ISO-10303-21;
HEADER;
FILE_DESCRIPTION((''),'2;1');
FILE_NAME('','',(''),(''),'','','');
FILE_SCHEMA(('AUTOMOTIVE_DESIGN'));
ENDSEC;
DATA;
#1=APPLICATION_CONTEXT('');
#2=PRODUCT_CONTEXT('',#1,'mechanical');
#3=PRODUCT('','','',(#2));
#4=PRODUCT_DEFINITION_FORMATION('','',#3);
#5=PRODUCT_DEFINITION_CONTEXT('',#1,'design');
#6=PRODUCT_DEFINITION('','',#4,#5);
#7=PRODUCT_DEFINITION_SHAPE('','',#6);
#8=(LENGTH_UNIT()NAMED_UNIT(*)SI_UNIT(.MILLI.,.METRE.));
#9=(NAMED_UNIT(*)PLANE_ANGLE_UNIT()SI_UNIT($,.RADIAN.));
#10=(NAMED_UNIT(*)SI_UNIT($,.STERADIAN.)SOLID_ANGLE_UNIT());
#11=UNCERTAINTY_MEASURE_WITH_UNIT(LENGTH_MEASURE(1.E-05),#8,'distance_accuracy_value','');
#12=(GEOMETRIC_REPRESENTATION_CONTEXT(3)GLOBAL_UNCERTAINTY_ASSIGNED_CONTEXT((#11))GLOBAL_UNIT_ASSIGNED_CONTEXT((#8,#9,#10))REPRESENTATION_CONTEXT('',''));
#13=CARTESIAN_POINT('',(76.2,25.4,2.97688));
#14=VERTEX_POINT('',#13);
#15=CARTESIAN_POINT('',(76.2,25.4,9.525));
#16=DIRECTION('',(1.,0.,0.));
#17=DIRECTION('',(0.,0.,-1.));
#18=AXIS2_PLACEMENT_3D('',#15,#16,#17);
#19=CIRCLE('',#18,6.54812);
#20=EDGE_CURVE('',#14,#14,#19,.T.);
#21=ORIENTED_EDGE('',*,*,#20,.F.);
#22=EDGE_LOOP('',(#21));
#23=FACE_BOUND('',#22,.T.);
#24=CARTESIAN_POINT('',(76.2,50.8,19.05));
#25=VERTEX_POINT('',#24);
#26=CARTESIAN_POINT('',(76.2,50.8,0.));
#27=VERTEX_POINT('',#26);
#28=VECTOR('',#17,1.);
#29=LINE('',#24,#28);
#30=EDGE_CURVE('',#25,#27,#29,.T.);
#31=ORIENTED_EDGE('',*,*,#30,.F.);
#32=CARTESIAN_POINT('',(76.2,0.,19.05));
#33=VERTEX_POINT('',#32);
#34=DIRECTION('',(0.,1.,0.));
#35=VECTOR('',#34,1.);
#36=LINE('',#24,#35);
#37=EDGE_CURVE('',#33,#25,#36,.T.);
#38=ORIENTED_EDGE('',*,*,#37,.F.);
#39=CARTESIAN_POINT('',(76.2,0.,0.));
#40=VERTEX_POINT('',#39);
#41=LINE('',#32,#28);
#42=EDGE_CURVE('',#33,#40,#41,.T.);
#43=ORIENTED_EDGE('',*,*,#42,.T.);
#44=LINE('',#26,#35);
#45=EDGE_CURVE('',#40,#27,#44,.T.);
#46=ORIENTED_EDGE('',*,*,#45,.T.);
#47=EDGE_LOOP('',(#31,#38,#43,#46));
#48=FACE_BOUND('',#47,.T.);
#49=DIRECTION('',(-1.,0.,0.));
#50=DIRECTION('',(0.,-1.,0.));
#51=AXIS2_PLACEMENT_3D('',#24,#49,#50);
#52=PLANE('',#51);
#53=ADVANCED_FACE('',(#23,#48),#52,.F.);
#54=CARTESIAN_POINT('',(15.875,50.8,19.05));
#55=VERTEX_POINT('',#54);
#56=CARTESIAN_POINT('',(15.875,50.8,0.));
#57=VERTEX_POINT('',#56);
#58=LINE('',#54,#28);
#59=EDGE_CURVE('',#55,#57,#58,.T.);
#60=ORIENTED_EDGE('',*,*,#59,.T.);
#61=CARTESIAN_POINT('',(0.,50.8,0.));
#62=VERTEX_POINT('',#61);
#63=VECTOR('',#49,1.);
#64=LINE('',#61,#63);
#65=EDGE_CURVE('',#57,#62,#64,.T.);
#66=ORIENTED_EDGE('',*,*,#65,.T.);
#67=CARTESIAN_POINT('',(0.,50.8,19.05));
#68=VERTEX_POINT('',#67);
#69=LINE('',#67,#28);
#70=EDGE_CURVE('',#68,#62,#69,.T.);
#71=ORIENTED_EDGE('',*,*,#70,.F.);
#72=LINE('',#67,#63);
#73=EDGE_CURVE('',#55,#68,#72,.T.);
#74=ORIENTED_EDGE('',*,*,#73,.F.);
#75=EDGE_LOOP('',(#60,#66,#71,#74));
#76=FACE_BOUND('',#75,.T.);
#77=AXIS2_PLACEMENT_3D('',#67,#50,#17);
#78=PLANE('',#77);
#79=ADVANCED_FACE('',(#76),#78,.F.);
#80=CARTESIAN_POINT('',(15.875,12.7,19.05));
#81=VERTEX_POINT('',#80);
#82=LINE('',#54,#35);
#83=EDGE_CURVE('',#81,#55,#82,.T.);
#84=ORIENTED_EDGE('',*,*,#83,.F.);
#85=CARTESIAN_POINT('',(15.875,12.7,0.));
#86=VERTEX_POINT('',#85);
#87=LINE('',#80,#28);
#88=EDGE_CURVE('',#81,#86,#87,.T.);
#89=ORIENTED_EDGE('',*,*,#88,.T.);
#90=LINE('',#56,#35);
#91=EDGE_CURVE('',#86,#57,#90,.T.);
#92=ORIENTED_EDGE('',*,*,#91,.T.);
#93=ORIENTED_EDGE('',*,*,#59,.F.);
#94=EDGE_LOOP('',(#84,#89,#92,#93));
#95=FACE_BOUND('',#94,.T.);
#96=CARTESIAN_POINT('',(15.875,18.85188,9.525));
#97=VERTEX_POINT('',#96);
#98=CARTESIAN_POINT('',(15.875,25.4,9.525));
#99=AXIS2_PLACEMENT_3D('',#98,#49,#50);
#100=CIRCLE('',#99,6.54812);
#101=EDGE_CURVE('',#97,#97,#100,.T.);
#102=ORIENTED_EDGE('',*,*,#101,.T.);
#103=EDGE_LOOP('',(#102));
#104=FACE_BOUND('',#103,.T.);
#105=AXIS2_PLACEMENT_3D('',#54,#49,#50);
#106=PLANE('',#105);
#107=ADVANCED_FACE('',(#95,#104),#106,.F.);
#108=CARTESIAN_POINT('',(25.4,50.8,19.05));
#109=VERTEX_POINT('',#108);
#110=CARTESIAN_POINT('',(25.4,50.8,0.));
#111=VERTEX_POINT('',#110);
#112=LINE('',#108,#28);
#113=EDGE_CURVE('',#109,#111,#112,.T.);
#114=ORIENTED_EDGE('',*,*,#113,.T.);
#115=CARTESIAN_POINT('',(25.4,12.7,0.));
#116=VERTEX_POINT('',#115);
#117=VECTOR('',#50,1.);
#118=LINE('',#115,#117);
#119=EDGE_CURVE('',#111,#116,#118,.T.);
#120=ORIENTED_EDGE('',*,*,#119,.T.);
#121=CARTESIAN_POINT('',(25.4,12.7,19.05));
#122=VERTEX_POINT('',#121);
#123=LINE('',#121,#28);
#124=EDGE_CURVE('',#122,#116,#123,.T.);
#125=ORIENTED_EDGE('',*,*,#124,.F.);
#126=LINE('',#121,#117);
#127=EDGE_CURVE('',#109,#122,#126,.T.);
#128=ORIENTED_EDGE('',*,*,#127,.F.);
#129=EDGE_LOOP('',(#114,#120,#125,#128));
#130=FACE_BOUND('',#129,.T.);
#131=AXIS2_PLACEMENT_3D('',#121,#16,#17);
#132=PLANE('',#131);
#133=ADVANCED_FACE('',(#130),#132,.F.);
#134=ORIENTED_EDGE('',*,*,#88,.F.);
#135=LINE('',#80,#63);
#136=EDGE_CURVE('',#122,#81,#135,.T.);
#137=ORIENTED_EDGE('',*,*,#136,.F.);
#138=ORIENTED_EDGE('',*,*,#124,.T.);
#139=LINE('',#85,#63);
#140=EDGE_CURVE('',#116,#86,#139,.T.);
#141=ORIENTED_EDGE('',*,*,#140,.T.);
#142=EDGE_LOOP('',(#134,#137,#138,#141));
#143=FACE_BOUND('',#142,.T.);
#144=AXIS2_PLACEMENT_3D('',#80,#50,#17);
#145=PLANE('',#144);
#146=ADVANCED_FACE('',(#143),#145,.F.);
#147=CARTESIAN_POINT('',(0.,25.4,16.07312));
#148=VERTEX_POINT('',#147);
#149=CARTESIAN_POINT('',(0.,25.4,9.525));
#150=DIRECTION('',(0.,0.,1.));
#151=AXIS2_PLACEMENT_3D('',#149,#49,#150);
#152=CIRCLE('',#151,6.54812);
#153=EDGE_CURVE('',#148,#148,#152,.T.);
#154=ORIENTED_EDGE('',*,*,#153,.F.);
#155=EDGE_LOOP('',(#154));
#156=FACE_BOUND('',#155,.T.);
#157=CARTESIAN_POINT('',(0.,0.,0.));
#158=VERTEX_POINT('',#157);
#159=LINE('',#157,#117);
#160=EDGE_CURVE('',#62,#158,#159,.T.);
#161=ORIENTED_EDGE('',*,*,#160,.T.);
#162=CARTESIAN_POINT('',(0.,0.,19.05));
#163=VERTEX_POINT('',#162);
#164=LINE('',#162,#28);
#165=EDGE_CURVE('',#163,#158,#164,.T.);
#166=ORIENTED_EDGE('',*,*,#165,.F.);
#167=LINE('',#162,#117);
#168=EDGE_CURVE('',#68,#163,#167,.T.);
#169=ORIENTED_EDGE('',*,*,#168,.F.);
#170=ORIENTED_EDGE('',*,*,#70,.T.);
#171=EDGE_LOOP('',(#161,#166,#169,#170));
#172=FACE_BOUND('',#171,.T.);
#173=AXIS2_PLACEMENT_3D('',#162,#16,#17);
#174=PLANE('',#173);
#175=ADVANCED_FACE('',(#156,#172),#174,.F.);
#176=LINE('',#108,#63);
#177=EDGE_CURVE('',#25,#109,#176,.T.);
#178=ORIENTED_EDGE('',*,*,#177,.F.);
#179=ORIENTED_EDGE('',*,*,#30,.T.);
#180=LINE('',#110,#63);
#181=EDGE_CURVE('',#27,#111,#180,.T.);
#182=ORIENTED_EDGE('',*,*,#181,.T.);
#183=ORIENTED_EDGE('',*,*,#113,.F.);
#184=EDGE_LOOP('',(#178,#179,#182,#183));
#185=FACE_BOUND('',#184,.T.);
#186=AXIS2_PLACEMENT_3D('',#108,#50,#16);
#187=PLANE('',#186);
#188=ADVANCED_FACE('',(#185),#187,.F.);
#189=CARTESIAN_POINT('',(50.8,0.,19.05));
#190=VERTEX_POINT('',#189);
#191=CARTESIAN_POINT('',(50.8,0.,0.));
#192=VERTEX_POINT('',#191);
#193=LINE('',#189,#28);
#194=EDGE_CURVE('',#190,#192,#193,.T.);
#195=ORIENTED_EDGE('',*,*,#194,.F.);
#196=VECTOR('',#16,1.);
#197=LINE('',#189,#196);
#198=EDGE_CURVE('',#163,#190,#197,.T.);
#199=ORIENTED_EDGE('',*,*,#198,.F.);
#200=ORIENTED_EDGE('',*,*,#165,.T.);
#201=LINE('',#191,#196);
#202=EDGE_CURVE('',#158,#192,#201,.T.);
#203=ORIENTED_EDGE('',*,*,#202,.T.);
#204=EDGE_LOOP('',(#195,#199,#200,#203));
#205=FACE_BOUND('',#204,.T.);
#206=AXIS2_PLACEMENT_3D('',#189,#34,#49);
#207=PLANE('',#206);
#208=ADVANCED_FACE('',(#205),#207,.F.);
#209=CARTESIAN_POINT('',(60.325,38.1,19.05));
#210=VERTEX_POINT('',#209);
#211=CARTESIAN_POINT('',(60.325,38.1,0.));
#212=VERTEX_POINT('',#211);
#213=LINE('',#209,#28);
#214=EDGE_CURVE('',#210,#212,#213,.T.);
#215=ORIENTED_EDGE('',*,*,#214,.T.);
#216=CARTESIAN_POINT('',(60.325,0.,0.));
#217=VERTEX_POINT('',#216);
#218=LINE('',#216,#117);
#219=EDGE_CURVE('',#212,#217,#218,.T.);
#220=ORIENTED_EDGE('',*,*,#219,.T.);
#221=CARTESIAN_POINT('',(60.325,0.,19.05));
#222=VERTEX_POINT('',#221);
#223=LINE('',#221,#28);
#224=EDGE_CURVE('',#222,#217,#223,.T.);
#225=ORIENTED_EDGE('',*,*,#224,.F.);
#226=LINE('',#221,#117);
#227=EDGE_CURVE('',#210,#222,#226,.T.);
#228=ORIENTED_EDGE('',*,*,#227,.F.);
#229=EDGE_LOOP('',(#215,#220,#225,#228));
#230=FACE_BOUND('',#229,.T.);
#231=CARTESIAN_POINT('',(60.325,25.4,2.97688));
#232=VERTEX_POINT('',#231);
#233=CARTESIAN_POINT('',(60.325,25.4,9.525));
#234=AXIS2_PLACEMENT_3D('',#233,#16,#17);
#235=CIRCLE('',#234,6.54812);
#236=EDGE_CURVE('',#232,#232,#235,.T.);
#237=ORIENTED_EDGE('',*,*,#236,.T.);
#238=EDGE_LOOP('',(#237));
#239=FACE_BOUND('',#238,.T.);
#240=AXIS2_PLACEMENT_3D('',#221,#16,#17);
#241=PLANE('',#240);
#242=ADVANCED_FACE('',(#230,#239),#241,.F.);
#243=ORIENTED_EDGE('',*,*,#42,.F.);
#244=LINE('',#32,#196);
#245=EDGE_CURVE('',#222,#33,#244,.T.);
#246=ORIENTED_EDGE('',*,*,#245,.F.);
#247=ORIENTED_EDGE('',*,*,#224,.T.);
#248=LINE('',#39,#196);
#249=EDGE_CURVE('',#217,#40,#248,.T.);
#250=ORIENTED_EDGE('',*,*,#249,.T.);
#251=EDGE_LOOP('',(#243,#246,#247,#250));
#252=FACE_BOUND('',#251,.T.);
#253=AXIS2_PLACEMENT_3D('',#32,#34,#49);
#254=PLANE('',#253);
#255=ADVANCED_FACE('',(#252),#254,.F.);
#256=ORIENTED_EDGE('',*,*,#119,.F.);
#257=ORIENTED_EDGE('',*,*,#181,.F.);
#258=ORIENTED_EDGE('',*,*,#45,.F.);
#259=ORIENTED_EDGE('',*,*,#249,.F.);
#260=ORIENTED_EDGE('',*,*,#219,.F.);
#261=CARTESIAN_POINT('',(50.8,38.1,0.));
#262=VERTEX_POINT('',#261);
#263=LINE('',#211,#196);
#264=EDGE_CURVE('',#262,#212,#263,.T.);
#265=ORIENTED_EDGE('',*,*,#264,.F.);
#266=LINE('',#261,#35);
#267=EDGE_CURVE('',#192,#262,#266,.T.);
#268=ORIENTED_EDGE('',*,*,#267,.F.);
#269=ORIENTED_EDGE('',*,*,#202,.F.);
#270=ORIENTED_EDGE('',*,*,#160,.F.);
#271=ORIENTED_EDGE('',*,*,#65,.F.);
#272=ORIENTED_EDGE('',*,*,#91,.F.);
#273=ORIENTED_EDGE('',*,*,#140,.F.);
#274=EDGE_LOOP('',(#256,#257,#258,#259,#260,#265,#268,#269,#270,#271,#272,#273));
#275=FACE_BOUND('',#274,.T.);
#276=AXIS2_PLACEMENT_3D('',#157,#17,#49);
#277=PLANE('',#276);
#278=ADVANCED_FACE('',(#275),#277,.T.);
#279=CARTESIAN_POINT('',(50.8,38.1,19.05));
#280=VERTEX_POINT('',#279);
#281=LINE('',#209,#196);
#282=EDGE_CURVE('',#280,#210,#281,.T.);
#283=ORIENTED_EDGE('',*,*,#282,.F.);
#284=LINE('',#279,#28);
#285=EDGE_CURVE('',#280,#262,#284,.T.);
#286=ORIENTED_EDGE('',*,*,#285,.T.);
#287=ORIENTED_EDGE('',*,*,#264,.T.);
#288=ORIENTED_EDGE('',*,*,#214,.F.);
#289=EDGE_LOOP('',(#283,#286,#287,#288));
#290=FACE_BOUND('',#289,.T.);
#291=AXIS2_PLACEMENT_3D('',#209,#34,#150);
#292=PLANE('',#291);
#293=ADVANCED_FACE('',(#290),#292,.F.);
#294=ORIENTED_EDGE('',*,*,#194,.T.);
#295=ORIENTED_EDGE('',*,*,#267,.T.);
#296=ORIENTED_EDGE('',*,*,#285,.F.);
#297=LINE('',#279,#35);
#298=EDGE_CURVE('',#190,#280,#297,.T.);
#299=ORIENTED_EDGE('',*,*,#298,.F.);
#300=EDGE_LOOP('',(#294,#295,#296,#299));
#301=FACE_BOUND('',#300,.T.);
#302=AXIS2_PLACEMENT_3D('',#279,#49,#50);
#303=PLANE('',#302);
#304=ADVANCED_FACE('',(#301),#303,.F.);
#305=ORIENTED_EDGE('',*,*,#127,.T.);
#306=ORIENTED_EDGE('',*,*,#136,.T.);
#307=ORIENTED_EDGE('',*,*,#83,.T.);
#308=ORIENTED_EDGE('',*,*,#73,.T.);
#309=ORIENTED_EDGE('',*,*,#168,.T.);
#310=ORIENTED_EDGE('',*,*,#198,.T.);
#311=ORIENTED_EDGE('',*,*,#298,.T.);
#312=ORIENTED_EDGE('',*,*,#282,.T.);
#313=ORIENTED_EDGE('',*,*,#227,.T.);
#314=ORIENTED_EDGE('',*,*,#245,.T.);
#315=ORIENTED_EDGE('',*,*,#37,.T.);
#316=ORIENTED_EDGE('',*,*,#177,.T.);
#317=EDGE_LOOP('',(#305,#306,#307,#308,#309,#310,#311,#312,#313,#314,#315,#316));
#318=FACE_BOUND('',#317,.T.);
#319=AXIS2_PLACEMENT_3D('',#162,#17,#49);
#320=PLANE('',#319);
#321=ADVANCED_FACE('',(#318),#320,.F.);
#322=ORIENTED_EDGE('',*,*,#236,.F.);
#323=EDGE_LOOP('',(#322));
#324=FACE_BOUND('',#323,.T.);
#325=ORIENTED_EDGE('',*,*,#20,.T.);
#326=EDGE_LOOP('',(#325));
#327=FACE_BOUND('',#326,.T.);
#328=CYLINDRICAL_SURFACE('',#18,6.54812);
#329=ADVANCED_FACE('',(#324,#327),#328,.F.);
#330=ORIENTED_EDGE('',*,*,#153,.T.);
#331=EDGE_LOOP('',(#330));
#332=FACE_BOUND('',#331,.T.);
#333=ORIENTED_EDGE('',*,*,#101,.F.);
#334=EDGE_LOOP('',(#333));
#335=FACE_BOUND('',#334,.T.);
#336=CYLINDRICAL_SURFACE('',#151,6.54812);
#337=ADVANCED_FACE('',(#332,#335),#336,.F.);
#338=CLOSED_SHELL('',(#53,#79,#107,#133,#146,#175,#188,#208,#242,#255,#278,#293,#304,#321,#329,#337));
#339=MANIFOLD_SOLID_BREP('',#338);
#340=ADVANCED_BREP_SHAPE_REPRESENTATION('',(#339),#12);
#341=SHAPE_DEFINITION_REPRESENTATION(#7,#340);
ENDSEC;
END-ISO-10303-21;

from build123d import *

# Parameters (mm, degrees)
BOSS_EXTRUDE1_DEPTH         = 19.05
F_1_2_CLEARANCE_HOLE1_D     = 13.09624
F_1_2_CLEARANCE_HOLE1_DEPTH = 15.875
F_1_2_CLEARANCE_HOLE2_D     = 13.09624
F_1_2_CLEARANCE_HOLE2_DEPTH = 15.875


with BuildPart() as part:
    # Sketch1 → Boss-Extrude1 (new body)
    with BuildSketch(Plane.XY):
        Polygon((0, 0), (0, 50.8), (15.875, 50.8), (15.875, 12.7), (25.4, 12.7), (25.4, 50.8), (76.2, 50.8), (76.2, 0), (60.325, 0), (60.325, 38.1), (50.8, 38.1), (50.8, 0), align=None)
    extrude(amount=BOSS_EXTRUDE1_DEPTH)

    # 1/2 Clearance Hole1
    with Locations(Plane.ZY):
        with Locations((9.525, 25.4)):
            Hole(F_1_2_CLEARANCE_HOLE1_D / 2, depth=F_1_2_CLEARANCE_HOLE1_DEPTH)

    # 1/2 Clearance Hole2
    with Locations(Plane(origin=(76.2, 0, 0), x_dir=(0, 0, -1), z_dir=(1, 0, 0))):
        with Locations((-9.525, 25.4)):
            Hole(F_1_2_CLEARANCE_HOLE2_D / 2, depth=F_1_2_CLEARANCE_HOLE2_DEPTH)


solid = part.part
